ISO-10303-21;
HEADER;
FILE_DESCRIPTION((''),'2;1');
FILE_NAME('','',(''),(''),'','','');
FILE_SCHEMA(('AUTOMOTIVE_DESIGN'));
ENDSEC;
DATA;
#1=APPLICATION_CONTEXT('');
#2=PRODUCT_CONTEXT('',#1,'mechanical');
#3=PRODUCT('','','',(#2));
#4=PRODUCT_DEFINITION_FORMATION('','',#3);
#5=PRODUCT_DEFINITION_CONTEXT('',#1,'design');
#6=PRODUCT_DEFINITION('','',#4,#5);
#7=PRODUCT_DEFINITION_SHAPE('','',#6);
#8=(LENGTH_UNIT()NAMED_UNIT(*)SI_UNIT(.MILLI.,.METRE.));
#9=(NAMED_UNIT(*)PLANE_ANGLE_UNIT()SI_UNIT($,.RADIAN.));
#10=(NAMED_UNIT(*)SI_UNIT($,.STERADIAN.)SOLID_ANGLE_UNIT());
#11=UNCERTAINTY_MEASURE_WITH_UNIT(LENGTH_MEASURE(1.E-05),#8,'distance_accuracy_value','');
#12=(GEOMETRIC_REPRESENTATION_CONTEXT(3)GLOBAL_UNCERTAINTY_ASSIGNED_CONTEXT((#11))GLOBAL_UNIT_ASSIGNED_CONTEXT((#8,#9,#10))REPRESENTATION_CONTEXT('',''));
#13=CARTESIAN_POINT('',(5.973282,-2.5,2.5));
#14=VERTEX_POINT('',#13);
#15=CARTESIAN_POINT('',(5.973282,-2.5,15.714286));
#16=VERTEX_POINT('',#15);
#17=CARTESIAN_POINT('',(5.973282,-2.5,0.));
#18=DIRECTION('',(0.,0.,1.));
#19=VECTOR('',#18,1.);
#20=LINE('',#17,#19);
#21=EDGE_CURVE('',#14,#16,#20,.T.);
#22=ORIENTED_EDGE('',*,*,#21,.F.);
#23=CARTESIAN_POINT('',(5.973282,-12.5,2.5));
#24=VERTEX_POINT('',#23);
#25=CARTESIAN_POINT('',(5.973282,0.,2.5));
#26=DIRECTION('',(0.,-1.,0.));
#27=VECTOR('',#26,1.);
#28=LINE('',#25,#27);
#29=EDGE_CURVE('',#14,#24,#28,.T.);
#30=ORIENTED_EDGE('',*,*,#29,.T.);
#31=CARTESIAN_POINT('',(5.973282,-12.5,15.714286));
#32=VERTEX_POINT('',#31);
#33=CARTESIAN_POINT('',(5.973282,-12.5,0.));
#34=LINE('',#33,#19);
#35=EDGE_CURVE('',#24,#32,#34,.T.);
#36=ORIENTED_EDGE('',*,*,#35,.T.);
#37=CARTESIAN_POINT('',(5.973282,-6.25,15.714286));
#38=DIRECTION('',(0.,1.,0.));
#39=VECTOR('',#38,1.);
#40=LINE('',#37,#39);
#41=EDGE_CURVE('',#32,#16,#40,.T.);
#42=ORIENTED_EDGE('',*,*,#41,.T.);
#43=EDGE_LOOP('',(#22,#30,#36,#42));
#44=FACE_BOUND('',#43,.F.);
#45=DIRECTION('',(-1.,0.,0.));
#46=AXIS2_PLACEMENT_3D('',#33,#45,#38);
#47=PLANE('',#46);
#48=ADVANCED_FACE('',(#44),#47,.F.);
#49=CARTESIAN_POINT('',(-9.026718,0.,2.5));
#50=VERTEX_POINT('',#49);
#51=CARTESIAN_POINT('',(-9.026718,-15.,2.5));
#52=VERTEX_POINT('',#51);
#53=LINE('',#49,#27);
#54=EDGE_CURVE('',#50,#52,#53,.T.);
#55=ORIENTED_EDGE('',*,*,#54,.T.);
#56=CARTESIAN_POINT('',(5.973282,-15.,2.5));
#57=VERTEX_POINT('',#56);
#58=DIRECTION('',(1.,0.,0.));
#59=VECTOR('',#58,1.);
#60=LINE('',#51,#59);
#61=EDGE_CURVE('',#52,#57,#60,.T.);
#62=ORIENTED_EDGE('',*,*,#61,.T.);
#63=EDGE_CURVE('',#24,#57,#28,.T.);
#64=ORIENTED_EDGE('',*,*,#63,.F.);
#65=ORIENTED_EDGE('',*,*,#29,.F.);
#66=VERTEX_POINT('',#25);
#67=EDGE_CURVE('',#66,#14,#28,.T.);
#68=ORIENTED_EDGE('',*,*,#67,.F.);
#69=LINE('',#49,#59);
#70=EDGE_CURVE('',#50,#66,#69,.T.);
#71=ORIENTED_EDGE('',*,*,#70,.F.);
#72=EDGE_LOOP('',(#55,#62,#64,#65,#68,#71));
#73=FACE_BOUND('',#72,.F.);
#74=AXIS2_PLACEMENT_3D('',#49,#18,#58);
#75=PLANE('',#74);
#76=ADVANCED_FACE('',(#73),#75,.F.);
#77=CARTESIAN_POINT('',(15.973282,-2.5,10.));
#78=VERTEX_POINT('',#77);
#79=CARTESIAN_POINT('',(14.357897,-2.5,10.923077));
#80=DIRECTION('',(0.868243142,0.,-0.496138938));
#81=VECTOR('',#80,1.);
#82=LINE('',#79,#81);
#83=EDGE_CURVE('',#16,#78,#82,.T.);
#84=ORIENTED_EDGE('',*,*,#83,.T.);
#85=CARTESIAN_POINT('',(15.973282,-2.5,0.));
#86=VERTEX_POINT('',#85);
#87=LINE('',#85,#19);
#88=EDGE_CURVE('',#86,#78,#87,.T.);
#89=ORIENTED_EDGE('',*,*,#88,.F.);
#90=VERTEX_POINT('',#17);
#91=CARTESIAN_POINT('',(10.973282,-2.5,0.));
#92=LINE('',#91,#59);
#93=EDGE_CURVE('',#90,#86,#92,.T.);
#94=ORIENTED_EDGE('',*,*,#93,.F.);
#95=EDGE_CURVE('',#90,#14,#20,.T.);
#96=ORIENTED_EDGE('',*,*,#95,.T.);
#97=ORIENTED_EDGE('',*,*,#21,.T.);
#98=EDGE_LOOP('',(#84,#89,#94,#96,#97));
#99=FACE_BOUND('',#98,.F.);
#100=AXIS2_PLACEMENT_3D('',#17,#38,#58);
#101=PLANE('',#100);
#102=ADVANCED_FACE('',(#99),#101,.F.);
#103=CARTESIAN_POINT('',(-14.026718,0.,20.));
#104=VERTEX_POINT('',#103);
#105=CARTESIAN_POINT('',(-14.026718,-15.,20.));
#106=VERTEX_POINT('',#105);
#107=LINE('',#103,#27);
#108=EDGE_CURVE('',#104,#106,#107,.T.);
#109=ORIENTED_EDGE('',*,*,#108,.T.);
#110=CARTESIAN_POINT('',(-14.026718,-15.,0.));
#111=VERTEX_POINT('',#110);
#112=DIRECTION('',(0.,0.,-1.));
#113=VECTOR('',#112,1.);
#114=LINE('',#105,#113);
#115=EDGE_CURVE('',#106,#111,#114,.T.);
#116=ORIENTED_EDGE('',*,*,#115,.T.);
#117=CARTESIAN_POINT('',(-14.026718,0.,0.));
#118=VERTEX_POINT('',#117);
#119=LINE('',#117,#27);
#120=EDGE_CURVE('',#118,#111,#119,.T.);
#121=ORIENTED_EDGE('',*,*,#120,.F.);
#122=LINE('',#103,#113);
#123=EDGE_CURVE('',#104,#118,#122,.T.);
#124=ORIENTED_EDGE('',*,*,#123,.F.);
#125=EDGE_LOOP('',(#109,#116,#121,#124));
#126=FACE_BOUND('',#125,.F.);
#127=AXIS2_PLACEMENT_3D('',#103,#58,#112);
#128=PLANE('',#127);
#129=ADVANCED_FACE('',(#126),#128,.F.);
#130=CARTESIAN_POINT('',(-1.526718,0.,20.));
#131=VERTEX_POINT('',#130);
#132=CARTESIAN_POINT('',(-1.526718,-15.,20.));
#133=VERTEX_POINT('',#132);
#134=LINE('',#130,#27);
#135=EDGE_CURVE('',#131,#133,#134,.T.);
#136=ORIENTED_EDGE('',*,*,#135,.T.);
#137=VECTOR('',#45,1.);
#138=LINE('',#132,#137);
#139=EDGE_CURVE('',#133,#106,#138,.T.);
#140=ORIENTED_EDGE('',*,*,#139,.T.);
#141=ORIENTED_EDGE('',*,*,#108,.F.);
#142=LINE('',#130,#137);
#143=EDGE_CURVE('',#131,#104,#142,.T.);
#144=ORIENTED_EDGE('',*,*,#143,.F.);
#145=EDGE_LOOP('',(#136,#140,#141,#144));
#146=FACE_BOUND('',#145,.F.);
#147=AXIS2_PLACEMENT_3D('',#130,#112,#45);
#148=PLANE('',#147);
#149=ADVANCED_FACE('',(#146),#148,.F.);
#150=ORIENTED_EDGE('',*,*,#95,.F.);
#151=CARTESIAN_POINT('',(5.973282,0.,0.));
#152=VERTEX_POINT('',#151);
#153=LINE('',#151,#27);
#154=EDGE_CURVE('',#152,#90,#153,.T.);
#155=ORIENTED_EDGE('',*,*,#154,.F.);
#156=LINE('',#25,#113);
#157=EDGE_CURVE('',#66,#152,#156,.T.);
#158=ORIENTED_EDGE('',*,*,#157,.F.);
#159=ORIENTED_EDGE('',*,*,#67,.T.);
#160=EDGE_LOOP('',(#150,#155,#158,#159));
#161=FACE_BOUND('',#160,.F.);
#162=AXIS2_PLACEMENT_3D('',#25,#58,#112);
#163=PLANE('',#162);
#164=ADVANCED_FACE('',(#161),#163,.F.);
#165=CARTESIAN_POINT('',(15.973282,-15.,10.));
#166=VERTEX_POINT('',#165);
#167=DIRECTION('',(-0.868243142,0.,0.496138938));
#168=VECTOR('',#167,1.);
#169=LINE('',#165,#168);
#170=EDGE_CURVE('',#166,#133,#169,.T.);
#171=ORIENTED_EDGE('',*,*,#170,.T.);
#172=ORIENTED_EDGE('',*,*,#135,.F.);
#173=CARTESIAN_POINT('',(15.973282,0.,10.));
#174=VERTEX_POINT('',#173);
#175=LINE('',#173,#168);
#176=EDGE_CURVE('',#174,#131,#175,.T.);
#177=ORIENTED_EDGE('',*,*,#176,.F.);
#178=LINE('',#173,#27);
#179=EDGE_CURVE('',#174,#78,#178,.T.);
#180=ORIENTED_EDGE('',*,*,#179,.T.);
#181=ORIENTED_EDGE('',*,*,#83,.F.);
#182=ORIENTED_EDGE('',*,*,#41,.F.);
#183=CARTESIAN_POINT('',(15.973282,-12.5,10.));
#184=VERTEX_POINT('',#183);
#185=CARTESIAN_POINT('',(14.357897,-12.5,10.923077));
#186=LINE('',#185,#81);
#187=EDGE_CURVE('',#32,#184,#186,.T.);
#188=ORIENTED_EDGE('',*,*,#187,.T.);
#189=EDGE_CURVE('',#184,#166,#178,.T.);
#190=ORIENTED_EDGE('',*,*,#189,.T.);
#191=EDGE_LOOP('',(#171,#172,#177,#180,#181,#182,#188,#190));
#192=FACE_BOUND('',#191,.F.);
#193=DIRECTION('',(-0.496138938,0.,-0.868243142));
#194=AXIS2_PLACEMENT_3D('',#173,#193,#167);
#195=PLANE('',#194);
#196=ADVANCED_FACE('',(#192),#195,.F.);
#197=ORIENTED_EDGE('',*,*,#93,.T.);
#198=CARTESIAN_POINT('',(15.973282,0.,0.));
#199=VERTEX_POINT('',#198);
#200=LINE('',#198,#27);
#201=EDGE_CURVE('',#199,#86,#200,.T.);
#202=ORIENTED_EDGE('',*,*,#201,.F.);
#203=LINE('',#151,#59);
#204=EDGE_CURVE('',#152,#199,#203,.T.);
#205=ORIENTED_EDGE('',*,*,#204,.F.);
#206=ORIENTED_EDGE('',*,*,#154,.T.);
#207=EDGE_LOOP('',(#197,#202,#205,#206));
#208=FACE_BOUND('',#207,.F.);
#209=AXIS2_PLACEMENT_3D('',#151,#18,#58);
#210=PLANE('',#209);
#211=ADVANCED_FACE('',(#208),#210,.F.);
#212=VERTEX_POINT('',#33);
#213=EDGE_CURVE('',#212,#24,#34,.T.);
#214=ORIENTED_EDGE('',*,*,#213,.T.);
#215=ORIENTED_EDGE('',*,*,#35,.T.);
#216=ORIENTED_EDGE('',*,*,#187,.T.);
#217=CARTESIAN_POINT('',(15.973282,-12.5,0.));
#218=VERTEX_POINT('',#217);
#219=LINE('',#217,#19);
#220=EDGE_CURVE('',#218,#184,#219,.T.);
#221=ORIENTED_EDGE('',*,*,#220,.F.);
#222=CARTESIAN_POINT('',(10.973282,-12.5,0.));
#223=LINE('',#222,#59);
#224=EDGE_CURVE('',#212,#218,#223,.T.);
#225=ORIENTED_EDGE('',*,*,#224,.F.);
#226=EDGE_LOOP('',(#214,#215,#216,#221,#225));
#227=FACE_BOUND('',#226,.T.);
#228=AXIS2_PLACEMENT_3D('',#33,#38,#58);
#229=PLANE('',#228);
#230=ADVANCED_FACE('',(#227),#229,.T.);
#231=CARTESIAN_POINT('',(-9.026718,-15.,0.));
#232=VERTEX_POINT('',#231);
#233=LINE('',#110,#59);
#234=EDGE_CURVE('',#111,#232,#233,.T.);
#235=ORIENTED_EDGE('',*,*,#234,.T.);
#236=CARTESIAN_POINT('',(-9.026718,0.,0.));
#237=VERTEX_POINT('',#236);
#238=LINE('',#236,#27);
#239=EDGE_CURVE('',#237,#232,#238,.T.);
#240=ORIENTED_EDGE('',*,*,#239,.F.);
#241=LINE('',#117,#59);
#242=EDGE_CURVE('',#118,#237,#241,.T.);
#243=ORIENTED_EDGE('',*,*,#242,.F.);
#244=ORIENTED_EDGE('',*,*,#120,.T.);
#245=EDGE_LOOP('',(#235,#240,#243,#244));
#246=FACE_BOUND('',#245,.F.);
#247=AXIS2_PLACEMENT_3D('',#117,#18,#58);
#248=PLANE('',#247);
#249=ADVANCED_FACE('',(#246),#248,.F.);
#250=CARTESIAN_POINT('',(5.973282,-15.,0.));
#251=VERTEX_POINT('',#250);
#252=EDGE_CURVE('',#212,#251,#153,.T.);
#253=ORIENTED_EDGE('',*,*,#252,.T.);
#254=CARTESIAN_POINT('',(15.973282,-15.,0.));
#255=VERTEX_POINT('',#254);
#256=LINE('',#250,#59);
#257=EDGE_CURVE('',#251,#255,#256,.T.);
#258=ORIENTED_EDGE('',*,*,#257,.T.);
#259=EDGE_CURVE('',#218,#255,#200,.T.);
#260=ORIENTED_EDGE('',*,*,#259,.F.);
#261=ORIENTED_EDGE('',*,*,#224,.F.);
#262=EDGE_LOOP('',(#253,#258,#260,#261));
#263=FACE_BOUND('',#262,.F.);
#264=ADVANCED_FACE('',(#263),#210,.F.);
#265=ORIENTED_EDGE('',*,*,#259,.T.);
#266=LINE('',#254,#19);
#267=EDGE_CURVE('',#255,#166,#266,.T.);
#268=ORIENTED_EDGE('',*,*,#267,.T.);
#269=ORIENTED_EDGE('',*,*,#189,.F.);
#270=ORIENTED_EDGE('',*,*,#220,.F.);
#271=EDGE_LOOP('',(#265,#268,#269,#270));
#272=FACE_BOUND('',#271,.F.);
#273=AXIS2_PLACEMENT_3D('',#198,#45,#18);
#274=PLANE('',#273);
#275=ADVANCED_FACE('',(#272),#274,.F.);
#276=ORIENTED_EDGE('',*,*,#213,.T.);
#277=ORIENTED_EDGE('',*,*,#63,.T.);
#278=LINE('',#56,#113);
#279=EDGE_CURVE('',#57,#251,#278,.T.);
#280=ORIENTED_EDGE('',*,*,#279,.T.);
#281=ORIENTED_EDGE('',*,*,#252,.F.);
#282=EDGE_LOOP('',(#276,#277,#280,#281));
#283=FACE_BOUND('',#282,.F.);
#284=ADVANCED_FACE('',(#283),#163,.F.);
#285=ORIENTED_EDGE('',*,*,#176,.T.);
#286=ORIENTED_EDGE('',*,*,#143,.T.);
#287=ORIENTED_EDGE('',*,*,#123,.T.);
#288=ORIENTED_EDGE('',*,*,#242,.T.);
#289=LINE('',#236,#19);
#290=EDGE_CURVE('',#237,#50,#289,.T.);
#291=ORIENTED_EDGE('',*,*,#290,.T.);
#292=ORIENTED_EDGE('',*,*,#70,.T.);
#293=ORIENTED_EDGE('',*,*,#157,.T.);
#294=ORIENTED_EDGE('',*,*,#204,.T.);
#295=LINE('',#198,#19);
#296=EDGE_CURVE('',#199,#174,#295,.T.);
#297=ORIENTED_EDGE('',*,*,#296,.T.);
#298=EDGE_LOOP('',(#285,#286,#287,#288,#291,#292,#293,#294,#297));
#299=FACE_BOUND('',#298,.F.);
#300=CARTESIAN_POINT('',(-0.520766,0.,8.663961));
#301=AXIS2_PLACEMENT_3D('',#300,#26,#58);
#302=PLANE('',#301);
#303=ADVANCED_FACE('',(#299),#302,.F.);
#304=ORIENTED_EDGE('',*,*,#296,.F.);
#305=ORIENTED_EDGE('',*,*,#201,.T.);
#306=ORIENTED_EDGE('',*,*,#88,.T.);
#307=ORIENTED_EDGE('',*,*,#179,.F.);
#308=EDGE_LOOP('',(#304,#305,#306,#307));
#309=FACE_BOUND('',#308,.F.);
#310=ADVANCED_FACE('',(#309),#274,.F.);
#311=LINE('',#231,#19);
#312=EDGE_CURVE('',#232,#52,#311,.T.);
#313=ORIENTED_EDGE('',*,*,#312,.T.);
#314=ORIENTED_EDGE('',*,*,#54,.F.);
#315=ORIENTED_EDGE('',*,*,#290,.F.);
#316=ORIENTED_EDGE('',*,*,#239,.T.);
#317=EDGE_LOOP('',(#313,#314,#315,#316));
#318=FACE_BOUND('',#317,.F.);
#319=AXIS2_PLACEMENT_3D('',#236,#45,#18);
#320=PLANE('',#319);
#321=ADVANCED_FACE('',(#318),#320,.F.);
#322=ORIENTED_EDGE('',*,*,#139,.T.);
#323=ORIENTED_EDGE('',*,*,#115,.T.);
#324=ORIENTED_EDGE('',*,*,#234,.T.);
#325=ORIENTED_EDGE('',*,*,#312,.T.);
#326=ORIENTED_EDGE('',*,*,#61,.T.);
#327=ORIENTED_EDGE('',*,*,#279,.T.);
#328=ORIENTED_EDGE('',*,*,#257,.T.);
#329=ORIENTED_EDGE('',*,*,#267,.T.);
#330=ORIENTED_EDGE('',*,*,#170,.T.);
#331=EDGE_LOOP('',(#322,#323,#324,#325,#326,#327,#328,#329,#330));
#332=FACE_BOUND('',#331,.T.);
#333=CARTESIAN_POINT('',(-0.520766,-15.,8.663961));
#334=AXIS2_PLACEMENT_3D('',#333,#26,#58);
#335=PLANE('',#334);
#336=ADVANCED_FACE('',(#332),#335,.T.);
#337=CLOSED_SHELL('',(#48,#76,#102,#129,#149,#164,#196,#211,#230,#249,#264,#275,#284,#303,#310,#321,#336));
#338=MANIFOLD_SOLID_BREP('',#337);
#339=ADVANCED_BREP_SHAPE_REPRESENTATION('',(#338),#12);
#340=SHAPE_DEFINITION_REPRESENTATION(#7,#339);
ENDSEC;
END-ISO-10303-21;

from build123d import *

# Parameters (mm, degrees)
F1_DEPTH = 15
F2_W     = 10
F2_H     = 10
F3_DEPTH = 25


with BuildPart() as f1:
    # F0 (on Front) → F1 (new body)
    with BuildSketch(Plane.XZ):
        Polygon((-14.026718, 20), (-14.026718, 0), (-9.026718, 0), (-9.026718, 2.5), (5.973282, 2.5), (5.973282, 0), (15.973282, 0), (15.973282, 10), (-1.526718, 20), align=None)
    extrude(amount=F1_DEPTH)

    # F2 (on Top) → F3 (cut)
    with BuildSketch(Plane.XY):
        with Locations((10.973282, -7.5)):
            Rectangle(F2_W, F2_H)
    extrude(amount=F3_DEPTH, mode=Mode.SUBTRACT)


solid = f1.part
